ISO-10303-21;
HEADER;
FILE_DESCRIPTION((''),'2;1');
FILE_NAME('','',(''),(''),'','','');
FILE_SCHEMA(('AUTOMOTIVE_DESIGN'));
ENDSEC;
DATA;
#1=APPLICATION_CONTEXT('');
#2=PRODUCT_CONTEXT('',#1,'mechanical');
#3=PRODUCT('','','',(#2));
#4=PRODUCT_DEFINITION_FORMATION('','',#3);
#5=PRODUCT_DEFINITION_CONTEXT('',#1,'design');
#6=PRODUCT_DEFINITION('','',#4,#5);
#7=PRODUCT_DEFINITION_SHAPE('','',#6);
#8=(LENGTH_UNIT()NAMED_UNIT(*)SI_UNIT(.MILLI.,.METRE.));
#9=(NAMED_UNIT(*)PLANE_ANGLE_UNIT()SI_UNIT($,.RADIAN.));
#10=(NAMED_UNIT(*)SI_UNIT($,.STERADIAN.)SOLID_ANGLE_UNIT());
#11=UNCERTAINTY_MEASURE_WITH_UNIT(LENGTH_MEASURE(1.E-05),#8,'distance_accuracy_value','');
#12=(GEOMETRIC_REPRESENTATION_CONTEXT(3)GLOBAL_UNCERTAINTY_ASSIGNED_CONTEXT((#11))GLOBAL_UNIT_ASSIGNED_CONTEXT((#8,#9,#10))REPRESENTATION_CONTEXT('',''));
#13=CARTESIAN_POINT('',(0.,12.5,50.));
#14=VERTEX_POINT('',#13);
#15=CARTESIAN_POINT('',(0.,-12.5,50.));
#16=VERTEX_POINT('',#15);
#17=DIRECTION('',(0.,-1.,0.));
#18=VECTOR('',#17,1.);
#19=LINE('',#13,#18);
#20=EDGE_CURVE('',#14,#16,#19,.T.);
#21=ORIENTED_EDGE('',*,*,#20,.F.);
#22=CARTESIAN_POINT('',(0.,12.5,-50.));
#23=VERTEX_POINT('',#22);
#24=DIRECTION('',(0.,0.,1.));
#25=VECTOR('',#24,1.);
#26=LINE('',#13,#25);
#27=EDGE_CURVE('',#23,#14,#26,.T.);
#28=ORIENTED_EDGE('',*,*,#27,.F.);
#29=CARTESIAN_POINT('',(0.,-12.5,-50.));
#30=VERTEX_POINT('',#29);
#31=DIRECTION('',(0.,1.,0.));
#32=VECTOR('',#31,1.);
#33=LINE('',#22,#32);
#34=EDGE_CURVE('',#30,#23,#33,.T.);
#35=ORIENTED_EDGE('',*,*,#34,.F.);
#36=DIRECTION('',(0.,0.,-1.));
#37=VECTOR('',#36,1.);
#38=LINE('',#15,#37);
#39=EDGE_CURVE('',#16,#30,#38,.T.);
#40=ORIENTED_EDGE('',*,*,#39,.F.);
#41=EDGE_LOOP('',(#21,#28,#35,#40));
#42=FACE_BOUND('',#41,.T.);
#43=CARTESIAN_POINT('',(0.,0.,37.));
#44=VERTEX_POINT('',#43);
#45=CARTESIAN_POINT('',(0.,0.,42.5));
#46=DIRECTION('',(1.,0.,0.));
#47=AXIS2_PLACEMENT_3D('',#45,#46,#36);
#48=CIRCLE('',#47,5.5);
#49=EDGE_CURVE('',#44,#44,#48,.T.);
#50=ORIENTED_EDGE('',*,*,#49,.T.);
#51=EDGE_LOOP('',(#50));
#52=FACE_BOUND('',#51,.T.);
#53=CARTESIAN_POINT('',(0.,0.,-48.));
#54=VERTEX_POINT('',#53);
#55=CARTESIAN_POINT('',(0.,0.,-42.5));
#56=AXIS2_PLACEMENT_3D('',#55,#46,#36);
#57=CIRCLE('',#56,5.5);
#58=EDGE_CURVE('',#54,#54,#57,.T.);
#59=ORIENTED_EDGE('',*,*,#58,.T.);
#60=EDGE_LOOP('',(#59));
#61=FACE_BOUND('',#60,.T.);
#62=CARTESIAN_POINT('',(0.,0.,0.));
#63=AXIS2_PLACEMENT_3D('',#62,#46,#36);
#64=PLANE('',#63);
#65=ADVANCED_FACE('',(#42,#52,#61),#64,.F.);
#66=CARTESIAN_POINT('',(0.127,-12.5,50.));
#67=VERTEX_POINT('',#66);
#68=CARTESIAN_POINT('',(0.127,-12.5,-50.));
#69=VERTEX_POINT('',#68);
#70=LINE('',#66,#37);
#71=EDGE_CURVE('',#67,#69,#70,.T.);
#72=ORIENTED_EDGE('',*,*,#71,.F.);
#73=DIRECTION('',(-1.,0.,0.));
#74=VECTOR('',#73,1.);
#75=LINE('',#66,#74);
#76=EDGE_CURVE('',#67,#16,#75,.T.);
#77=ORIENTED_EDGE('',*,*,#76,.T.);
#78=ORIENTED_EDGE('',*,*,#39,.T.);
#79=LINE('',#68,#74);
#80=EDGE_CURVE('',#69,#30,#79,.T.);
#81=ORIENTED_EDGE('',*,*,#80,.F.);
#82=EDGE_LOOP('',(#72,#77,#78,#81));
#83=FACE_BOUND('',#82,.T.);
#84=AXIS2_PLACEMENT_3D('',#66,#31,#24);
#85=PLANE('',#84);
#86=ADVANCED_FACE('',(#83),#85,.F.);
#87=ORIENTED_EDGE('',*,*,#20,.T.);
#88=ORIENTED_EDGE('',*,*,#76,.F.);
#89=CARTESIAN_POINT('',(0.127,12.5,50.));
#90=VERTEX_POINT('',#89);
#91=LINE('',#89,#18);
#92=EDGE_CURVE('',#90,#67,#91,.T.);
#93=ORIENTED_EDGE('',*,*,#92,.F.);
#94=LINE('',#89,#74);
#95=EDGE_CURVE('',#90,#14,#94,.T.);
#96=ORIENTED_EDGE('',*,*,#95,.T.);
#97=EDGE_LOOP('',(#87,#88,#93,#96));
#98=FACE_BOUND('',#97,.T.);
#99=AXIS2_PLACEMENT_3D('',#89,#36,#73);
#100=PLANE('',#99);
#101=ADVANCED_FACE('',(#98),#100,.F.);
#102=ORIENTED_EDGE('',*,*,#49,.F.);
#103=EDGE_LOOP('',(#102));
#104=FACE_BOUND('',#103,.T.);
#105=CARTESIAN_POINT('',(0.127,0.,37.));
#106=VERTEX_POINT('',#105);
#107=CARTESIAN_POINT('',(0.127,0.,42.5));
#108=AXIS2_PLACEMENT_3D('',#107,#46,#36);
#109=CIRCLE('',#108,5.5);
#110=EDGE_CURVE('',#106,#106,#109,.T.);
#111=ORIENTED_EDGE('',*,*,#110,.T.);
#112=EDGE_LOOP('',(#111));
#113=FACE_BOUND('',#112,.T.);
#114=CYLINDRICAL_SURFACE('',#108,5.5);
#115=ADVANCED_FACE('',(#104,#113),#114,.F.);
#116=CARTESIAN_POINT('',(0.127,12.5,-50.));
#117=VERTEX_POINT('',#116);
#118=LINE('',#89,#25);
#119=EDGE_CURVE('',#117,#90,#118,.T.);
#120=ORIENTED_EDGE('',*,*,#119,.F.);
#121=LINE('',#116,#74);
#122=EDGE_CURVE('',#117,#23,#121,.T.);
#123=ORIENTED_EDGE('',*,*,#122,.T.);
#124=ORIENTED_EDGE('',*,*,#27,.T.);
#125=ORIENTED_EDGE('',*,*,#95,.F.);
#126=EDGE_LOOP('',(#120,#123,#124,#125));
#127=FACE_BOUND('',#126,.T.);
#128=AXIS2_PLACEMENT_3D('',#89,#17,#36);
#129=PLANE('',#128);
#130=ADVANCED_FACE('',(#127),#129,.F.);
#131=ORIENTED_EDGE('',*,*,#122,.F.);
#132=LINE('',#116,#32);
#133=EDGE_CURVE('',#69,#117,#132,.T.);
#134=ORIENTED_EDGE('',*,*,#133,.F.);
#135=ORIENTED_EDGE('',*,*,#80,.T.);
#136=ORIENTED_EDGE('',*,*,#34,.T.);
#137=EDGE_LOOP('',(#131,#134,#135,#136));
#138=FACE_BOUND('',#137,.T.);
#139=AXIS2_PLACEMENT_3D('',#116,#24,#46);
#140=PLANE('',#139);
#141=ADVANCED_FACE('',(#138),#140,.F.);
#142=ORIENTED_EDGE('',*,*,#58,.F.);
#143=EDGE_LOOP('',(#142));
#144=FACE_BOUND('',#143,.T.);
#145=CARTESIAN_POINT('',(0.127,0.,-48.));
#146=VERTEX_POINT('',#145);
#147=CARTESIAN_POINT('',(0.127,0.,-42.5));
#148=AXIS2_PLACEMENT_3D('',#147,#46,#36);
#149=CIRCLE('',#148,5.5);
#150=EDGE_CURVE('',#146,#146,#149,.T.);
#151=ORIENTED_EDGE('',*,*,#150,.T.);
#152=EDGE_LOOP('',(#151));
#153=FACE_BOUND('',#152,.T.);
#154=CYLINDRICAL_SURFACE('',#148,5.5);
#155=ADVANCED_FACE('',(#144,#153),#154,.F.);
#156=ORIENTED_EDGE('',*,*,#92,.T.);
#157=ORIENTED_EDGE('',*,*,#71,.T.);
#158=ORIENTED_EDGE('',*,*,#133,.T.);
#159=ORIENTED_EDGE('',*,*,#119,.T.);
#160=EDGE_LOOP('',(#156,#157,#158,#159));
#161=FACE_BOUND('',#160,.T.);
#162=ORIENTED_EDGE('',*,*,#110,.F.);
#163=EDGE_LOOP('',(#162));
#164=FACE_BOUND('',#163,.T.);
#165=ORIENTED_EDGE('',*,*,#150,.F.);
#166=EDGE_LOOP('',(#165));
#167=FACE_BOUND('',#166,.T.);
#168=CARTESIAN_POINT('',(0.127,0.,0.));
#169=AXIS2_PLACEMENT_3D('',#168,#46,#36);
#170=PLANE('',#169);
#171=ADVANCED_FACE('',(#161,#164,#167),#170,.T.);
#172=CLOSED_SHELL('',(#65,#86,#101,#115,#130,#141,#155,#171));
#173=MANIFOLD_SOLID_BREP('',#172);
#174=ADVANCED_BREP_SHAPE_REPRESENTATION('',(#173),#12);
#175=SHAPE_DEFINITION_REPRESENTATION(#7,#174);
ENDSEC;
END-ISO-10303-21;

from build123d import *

# Parameters (mm, degrees)
SKETCH1_W             = 100
SKETCH1_H             = 25
BOSS_EXTRUDE1_DEPTH   = 0.127
M10_CLEARANCE_HOLE1_D = 11


with BuildPart() as part:
    # Sketch1 → Boss-Extrude1 (new body)
    with BuildSketch(Plane(origin=(0, 0, 0), x_dir=(0, 0, -1), z_dir=(1, 0, 0))):
        Rectangle(SKETCH1_W, SKETCH1_H)
    extrude(amount=BOSS_EXTRUDE1_DEPTH)

    # M10 Clearance Hole1 (through all)
    with Locations(Plane(origin=(0.127, 0, 0), x_dir=(0, 0, -1), z_dir=(1, 0, 0))):
        with Locations((-42.5, 0), (42.5, 0)):
            Hole(M10_CLEARANCE_HOLE1_D / 2)


solid = part.part
